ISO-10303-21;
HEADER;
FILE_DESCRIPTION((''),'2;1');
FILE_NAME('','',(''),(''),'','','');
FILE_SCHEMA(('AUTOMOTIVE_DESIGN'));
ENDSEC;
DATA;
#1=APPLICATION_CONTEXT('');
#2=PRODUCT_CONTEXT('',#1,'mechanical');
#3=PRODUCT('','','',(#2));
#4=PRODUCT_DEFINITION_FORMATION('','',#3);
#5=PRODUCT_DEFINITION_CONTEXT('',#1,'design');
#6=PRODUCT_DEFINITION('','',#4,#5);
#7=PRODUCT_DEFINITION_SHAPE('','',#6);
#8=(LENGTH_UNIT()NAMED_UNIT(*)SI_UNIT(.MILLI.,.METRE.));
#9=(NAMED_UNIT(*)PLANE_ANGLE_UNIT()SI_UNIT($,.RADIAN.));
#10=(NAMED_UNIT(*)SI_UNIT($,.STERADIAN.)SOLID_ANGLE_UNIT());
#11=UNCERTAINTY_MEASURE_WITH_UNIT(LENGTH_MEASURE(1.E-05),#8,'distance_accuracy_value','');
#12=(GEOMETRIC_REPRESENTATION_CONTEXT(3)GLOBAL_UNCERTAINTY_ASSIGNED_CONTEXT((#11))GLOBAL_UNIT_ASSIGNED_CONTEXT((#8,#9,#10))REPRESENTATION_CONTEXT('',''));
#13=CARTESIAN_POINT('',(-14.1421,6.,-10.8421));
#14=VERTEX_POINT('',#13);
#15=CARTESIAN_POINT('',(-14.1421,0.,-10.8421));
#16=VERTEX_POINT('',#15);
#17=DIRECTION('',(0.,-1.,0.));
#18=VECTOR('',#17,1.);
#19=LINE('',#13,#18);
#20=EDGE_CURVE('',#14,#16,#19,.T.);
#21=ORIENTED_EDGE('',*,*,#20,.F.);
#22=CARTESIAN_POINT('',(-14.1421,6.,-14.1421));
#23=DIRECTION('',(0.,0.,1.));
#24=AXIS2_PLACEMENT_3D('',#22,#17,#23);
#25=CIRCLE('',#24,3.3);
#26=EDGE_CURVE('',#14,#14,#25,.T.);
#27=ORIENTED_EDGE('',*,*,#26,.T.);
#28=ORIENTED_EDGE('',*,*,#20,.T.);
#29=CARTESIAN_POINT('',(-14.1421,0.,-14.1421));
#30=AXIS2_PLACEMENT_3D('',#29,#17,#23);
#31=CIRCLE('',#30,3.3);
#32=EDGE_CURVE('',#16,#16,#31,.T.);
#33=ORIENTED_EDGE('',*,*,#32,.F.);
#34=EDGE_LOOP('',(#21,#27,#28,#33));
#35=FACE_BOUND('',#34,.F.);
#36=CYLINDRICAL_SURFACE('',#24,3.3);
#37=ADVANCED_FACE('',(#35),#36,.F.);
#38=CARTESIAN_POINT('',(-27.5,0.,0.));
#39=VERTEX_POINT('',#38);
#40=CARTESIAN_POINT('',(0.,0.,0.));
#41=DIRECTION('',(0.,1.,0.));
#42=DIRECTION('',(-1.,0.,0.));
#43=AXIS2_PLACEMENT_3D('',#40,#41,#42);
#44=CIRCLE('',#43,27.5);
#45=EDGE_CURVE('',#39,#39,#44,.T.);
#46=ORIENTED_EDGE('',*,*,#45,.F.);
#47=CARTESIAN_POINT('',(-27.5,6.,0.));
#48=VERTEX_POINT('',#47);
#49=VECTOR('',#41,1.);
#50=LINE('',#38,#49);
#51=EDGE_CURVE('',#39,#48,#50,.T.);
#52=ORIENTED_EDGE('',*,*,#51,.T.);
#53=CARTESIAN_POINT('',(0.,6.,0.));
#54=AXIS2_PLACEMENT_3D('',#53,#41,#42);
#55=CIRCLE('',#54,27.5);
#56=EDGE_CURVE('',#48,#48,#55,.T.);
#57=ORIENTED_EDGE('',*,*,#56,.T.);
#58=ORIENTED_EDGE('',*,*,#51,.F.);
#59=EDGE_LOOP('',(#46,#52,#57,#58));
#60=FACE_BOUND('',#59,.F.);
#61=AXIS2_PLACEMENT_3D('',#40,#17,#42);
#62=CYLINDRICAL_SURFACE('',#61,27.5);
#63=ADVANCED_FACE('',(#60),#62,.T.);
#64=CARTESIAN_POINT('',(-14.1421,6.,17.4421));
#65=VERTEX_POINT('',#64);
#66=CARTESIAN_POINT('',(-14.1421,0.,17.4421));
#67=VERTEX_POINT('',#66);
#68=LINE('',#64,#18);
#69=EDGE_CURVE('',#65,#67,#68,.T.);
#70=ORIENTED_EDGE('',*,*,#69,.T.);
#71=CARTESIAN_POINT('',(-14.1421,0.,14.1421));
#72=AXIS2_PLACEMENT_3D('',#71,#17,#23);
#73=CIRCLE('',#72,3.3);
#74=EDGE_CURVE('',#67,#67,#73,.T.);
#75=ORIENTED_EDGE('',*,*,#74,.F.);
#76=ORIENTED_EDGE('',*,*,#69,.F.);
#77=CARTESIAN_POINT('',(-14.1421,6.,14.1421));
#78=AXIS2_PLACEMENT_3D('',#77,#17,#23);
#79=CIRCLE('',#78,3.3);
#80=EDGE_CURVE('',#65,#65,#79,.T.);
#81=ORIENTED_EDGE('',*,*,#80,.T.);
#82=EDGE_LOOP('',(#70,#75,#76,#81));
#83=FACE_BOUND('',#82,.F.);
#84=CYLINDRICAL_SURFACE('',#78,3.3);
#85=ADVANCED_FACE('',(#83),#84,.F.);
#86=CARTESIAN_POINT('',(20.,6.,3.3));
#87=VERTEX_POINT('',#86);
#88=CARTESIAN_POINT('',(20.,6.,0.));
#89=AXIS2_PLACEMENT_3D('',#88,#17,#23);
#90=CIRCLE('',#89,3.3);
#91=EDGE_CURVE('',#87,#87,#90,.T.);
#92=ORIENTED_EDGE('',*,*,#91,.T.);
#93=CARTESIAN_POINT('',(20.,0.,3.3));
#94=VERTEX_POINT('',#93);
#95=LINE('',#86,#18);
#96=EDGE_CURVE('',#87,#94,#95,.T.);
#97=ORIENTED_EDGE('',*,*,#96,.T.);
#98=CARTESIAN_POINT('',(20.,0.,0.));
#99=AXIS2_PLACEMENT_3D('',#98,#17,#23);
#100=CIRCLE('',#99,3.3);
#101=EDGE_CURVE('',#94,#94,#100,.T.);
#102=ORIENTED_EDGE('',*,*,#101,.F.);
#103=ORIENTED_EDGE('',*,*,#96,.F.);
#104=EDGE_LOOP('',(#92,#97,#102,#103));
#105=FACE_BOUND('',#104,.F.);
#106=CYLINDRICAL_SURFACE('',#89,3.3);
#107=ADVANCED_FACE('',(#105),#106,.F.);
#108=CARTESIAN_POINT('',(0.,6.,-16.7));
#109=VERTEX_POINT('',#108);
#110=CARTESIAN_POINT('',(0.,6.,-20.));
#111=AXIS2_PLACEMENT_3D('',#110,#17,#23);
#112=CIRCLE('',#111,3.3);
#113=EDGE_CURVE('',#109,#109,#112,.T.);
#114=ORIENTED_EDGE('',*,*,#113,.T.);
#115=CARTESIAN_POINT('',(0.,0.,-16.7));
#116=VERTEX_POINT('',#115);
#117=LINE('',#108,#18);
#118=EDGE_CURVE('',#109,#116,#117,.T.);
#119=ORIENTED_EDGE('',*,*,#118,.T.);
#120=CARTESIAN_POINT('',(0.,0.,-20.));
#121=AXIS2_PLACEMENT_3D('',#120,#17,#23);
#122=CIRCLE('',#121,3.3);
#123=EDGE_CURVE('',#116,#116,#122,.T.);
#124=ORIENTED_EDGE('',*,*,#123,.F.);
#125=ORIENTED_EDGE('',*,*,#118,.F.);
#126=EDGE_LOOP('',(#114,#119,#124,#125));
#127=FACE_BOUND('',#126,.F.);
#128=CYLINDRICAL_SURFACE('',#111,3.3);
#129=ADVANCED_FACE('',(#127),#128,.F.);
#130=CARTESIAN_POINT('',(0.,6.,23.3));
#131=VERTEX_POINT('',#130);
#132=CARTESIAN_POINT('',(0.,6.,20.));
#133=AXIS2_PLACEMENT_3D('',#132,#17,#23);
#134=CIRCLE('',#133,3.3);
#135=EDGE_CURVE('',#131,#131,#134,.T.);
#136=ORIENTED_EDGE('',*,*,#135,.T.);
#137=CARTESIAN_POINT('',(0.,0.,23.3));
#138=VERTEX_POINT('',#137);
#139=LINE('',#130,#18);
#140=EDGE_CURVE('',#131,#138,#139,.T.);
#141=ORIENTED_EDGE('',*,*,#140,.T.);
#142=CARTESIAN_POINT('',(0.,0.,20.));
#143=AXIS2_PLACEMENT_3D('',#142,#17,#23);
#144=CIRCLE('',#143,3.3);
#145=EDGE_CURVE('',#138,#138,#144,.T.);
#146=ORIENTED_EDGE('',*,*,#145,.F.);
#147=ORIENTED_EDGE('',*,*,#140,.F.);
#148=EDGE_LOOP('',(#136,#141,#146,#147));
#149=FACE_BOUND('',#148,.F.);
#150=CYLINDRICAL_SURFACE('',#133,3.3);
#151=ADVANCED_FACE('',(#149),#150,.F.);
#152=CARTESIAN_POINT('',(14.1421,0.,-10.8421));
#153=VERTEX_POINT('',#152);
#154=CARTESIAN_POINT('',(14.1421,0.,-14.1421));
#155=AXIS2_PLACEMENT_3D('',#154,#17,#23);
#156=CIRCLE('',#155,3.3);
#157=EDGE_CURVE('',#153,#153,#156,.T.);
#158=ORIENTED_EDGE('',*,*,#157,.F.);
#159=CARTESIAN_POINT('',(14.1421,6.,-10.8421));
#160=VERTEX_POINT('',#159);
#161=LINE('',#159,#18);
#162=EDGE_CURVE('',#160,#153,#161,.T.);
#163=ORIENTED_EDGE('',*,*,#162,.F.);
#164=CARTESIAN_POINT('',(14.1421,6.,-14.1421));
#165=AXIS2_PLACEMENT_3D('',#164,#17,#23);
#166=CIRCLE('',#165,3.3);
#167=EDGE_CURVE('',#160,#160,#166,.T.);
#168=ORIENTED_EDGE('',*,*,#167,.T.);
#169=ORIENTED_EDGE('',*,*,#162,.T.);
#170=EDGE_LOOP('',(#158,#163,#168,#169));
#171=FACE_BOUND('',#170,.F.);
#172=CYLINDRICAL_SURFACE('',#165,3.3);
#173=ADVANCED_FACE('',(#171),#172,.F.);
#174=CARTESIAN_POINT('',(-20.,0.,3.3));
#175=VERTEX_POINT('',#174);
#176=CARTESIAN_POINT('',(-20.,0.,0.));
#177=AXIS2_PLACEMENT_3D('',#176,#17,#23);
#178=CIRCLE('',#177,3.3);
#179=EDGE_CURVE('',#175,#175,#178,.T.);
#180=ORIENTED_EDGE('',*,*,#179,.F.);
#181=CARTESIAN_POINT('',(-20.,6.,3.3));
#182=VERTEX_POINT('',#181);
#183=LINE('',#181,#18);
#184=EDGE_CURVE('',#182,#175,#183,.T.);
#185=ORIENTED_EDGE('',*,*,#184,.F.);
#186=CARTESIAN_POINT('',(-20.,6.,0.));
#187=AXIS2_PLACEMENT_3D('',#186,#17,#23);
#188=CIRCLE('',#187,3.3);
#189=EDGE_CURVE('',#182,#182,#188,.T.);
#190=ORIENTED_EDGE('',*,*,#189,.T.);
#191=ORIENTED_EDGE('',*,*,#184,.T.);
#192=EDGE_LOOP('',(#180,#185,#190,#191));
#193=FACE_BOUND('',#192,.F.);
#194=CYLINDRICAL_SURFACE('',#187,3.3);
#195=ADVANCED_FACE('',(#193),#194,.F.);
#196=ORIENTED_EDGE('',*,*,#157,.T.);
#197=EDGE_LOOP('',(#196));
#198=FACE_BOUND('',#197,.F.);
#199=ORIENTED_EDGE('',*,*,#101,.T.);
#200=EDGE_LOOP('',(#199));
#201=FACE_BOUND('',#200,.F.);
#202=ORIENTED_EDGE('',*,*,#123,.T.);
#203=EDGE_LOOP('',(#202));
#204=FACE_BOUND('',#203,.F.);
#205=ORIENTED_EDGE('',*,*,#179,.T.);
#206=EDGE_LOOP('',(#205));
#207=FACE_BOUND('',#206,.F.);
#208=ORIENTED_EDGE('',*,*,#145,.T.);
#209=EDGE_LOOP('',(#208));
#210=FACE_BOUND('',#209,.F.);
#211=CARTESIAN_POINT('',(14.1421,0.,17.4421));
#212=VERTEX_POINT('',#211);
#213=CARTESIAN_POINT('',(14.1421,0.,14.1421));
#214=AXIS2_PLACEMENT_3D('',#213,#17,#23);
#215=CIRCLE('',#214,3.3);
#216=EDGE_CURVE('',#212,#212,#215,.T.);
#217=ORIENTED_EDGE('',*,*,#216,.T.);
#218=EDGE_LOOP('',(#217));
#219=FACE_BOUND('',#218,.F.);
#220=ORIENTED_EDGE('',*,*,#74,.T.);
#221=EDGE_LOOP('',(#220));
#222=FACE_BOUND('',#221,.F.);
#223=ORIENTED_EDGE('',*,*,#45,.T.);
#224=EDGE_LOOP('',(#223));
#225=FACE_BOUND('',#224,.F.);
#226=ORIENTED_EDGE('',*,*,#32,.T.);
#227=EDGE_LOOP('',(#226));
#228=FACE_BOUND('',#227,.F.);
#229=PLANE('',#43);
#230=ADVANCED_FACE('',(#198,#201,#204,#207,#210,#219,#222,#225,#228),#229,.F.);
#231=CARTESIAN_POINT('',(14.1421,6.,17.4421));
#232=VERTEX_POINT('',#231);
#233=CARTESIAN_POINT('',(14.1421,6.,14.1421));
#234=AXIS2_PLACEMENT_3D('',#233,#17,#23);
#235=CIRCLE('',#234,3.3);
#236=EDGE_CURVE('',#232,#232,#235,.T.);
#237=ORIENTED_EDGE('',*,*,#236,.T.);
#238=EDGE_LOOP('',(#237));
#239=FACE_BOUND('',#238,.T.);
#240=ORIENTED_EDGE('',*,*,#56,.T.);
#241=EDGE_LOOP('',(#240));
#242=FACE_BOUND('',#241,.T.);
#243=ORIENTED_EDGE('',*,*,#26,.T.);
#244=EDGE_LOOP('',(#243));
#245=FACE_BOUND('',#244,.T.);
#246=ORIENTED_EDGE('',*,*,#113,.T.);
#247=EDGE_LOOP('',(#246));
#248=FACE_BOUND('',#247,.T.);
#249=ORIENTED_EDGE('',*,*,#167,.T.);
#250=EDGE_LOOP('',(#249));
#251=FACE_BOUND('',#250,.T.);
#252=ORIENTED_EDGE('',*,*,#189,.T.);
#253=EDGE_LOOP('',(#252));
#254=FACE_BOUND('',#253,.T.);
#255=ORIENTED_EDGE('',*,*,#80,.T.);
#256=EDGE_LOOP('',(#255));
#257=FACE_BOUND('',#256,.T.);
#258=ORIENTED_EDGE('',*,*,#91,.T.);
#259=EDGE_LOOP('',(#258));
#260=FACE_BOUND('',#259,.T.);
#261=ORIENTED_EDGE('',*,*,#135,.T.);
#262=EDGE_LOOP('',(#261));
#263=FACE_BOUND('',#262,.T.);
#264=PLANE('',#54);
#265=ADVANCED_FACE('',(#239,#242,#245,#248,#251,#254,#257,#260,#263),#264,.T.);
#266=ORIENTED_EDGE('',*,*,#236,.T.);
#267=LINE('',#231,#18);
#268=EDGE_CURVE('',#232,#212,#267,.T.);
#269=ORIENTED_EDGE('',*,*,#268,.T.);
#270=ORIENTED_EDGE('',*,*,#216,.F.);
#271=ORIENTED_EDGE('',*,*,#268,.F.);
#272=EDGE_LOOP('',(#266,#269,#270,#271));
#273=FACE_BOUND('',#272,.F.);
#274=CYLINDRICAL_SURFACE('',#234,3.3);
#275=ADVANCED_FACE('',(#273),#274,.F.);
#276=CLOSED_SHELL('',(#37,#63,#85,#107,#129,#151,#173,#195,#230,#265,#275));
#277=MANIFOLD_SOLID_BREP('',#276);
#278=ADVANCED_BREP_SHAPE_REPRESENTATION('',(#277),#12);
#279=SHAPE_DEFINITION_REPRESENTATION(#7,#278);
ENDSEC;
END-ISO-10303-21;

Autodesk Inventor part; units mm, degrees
ref_plane "YZ Plane" through (0, 0, 0) normal (1, 0, 0) x (0, 1, 0)
ref_plane "XZ Plane" through (0, 0, 0) normal (0, 1, 0) x (-1, 0, 0)
ref_plane "XY Plane" through (0, 0, 0) normal (0, 0, 1) x (1, 0, 0)
sketch "Sketch1" plane through (0, 0, 0) normal (0, 1, 0) x (-1, 0, 0)
  circle A0 centre (0, 0) radius 27.5
  dimension "d0" = 55
extrude "Extrusion1" add sketch "Sketch1" along normal blind 6
sketch "Sketch2" plane through (0, 6, 0) normal (0, 1, 0) x (1, 0, 0)
  circle A0 centre (0, 0) radius 27.5 projected
  point P0 (20, 0)
  point P1 (14.1421, 14.1421)
  point P2 (0, 20)
  point P3 (-14.1421, 14.1421)
  point P4 (-20, 0)
  point P5 (-14.1421, -14.1421)
  point P6 (0, -20)
  point P7 (14.1421, -14.1421)
  dimension "d3" = 20
  dimension "d6" = 360
hole "Hole1" at (20, 6, 0) at (14.1421, 6, -14.1421) at (0, 6, -20) at (-14.1421, 6, -14.1421) at (-20, 6, 0) at (-14.1421, 6, 14.1421) at (0, 6, 20) at (14.1421, 6, 14.1421) direction (0, -1, 0) diameter 6.6 depth 8 tip angle 118 clearance for "Flat Head Machine Screw" size "M6" standard "Ansi Metric M Profile"
properties part number "simple_plate"
